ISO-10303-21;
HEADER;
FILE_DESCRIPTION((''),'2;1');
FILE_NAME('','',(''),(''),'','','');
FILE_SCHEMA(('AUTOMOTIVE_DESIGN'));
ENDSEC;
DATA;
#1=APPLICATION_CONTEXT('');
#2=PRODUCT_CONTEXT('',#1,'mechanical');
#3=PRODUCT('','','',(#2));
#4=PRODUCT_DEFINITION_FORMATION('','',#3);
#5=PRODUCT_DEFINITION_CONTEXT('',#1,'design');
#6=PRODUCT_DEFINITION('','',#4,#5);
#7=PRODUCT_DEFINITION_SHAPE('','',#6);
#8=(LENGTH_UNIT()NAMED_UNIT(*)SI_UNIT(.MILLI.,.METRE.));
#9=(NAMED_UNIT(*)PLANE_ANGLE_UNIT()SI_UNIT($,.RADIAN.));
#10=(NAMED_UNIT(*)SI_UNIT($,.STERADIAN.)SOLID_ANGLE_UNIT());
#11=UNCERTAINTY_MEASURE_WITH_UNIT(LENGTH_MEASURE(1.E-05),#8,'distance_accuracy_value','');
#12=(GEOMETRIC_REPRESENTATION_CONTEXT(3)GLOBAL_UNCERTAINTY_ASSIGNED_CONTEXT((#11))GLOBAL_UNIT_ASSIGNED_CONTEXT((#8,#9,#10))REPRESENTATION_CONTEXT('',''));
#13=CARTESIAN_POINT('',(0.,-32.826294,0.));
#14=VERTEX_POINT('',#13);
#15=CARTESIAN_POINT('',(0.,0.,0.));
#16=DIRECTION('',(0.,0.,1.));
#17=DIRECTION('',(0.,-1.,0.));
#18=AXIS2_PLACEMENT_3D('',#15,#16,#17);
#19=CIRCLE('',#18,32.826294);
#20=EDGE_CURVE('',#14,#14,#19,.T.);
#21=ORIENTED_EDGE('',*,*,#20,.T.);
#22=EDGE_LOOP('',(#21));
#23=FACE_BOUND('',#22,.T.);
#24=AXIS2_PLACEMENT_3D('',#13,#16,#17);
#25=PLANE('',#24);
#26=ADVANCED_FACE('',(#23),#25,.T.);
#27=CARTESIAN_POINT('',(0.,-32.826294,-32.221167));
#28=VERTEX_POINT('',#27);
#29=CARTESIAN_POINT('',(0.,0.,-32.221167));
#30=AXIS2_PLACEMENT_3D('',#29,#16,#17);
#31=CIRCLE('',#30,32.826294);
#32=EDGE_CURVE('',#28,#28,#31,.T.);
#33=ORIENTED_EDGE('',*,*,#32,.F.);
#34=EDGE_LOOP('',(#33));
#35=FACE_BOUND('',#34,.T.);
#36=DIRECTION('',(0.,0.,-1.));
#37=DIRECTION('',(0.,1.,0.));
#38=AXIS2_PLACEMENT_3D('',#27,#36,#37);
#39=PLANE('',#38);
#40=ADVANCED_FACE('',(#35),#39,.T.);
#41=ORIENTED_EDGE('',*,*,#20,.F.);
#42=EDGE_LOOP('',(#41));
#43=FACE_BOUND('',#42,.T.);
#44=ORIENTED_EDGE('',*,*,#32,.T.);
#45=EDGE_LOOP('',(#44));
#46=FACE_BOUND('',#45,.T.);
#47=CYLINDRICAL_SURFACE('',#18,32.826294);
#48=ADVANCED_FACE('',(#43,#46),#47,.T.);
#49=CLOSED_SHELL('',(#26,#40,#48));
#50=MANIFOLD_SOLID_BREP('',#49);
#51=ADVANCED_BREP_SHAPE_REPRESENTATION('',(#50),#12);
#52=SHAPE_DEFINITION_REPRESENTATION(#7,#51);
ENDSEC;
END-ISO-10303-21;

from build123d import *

# Parameters (mm, degrees)
SKETCH1_W = 32.82629413
SKETCH1_H = 32.22116744


with BuildPart() as part:
    # Sketch1 → Revolve1 (revolve)
    with BuildSketch(Plane.YZ):
        with Locations((-16.413147065, -16.11058372)):
            Rectangle(SKETCH1_W, SKETCH1_H)
    revolve(axis=Axis((0, 0, 0), (0, 0, -1)))


solid = part.part
